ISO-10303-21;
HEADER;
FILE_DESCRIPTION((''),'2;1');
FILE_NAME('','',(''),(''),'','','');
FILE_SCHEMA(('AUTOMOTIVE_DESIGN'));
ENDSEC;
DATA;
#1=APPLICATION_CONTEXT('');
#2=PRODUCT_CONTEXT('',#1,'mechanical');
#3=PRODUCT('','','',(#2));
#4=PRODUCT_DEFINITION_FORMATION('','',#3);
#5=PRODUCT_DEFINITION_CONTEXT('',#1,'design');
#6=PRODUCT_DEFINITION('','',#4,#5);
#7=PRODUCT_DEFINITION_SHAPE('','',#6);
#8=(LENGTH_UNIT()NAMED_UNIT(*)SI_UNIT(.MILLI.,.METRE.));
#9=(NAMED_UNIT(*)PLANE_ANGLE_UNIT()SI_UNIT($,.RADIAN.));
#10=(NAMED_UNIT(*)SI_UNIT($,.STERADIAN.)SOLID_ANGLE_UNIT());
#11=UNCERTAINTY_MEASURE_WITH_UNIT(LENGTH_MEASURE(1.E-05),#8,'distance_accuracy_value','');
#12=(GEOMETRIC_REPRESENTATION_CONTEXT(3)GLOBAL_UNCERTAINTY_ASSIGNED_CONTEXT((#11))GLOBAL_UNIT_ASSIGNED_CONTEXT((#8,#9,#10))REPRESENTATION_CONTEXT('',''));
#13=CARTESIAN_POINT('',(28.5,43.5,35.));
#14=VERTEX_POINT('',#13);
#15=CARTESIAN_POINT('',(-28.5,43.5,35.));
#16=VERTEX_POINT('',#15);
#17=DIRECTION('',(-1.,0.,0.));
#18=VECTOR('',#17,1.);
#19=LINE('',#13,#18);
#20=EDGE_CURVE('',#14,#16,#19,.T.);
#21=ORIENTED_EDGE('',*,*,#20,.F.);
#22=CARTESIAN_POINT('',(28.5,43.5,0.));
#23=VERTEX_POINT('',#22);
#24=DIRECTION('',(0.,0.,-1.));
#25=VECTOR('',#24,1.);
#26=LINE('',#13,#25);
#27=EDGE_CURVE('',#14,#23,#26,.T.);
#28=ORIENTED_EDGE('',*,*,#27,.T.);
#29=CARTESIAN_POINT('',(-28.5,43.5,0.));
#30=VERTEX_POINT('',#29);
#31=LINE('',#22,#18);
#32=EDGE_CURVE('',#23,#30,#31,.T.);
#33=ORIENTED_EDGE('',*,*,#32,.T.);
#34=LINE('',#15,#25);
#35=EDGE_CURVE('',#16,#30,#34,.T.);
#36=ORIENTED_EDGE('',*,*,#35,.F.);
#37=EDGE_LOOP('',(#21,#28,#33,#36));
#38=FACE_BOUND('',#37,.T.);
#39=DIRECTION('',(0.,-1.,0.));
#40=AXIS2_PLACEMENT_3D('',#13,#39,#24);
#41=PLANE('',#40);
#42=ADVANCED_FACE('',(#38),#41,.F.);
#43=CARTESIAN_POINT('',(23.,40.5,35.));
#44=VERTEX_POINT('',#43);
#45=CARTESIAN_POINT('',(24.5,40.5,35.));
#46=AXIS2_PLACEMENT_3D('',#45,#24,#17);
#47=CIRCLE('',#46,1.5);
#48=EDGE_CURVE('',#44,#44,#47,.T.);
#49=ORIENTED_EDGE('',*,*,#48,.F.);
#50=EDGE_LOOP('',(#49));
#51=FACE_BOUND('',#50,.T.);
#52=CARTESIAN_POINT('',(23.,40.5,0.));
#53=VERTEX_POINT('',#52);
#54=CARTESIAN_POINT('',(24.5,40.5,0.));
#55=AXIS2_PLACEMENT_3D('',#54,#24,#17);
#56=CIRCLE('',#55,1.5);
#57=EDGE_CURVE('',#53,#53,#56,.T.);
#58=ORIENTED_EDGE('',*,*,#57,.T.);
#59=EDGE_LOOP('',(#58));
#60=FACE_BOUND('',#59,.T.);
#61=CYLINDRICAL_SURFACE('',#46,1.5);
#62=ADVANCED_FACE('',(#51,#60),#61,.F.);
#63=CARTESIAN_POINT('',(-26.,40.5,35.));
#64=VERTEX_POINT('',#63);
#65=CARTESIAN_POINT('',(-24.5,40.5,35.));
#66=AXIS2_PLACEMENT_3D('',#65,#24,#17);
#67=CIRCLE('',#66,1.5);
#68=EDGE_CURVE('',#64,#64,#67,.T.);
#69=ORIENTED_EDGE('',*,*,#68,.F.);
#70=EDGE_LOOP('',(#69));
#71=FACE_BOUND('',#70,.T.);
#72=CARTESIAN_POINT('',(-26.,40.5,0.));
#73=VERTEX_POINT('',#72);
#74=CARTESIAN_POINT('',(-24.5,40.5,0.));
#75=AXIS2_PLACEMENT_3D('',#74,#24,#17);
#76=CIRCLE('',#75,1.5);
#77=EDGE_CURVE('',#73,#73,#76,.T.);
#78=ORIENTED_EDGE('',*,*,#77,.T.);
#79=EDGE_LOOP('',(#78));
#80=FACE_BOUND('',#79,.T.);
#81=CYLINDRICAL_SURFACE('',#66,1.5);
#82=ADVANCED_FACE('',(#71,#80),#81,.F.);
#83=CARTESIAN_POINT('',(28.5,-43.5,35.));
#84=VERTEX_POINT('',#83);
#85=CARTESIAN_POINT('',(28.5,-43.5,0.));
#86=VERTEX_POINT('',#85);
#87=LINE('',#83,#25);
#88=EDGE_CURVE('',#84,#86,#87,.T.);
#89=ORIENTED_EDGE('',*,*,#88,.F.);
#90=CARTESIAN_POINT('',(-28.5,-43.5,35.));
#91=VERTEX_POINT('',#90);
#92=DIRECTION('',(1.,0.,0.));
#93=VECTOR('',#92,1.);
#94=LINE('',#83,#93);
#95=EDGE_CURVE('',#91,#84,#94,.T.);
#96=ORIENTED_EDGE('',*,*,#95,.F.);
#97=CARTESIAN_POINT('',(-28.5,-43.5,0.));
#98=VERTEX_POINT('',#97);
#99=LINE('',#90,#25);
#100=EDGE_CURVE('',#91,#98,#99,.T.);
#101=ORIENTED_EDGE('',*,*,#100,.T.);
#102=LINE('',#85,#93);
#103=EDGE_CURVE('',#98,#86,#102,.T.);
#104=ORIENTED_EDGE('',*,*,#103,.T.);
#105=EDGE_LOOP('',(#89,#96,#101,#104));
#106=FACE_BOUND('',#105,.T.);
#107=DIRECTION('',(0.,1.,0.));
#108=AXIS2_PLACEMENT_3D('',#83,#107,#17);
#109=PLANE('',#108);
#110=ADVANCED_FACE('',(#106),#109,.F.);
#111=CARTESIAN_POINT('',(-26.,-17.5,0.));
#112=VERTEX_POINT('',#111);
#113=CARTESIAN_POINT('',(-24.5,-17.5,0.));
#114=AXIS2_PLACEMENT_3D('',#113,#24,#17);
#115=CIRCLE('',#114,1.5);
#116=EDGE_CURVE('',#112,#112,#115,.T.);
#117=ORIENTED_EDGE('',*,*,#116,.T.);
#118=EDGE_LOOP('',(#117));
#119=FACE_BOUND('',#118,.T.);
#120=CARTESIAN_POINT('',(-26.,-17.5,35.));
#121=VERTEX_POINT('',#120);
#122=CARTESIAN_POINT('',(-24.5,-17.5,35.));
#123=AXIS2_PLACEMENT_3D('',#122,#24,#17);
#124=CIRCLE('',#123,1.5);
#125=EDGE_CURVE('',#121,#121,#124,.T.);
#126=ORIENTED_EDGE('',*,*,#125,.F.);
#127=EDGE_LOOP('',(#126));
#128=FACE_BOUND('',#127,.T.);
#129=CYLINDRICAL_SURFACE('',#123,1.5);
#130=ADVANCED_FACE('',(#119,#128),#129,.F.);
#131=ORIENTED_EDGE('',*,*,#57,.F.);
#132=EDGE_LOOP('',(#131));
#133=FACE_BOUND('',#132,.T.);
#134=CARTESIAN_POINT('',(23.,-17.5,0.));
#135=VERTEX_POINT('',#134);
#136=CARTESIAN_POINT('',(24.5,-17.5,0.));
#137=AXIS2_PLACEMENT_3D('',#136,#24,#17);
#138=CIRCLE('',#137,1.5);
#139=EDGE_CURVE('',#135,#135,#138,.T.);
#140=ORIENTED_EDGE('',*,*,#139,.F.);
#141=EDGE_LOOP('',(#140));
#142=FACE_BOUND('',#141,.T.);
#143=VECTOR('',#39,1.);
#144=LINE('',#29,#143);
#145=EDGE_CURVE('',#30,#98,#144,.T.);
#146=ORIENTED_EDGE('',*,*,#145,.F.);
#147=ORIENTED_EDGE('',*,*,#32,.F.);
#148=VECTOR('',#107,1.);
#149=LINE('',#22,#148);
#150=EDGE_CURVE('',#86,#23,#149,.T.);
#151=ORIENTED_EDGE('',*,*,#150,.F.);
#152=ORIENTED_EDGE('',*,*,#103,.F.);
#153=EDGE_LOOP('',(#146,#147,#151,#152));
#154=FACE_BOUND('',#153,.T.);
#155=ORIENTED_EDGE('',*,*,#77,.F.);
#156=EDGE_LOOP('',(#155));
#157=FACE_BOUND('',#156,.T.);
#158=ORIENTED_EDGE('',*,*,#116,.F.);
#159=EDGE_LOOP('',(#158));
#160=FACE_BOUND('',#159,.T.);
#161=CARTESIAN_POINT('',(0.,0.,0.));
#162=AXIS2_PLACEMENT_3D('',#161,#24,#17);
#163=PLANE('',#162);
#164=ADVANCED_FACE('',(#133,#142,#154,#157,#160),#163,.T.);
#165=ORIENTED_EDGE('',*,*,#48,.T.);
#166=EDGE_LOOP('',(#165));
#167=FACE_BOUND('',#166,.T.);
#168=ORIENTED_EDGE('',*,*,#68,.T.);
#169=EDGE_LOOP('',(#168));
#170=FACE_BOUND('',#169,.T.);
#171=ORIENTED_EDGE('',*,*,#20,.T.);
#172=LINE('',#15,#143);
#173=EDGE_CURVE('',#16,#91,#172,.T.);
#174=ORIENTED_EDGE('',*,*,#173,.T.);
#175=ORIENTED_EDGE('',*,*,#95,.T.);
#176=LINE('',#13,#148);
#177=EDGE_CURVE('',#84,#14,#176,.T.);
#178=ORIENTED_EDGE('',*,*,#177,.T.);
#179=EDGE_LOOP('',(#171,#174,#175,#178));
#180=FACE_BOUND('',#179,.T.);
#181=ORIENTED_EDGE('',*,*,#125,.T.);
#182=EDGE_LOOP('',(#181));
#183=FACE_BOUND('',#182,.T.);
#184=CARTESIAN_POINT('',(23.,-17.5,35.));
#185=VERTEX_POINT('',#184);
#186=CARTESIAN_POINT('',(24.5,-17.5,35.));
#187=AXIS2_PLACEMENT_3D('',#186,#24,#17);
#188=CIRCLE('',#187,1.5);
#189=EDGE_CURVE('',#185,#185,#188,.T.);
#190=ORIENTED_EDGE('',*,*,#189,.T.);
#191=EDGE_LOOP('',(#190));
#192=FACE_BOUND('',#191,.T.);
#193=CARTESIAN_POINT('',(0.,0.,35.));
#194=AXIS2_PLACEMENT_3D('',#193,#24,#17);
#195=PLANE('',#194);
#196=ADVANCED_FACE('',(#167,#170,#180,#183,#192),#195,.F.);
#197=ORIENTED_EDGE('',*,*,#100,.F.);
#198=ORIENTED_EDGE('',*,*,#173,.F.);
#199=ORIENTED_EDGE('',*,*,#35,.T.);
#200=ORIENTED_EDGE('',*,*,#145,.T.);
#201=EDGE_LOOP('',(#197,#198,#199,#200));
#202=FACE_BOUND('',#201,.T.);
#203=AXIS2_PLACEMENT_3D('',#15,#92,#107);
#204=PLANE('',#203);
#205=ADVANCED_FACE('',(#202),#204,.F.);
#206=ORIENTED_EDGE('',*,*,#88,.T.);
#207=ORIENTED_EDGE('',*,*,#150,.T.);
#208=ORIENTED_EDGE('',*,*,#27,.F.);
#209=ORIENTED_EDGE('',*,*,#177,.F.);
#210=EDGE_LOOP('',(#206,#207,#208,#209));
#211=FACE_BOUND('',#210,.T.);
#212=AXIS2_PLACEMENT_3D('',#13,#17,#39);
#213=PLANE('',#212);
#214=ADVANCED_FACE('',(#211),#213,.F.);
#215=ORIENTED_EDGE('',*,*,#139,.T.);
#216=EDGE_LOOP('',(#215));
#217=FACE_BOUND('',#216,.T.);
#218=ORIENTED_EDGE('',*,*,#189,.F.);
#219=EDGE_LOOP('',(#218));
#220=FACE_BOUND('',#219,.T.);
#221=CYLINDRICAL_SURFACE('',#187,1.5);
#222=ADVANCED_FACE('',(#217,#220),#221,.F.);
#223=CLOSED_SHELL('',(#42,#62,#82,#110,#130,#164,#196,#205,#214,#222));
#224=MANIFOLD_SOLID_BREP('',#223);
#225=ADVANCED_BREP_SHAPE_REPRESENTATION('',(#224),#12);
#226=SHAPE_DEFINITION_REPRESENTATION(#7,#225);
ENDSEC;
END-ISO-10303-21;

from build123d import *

# Parameters (mm, degrees)
SKETCH1_W           = 57
SKETCH1_H           = 87
BOSS_EXTRUDE1_DEPTH = 35
SKETCH2_R           = 1.5
CUT_EXTRUDE1_DEPTH  = 36


with BuildPart() as part:
    # Sketch1 → Boss-Extrude1 (new body)
    with BuildSketch(Plane.XY):
        Rectangle(SKETCH1_W, SKETCH1_H)
    extrude(amount=BOSS_EXTRUDE1_DEPTH)

    # Sketch2 → Cut-Extrude1 (cut, through all)
    with BuildSketch(Plane(origin=(0, 0, 0), x_dir=(-1, 0, 0), z_dir=(0, 0, -1))):
        with Locations((-24.5, 40.5)):
            Circle(SKETCH2_R)
        with Locations((24.5, 40.5)):
            Circle(SKETCH2_R)
        with Locations((-24.5, -17.5)):
            Circle(SKETCH2_R)
        with Locations((24.5, -17.5)):
            Circle(SKETCH2_R)
    extrude(amount=-CUT_EXTRUDE1_DEPTH, mode=Mode.SUBTRACT)


solid = part.part
